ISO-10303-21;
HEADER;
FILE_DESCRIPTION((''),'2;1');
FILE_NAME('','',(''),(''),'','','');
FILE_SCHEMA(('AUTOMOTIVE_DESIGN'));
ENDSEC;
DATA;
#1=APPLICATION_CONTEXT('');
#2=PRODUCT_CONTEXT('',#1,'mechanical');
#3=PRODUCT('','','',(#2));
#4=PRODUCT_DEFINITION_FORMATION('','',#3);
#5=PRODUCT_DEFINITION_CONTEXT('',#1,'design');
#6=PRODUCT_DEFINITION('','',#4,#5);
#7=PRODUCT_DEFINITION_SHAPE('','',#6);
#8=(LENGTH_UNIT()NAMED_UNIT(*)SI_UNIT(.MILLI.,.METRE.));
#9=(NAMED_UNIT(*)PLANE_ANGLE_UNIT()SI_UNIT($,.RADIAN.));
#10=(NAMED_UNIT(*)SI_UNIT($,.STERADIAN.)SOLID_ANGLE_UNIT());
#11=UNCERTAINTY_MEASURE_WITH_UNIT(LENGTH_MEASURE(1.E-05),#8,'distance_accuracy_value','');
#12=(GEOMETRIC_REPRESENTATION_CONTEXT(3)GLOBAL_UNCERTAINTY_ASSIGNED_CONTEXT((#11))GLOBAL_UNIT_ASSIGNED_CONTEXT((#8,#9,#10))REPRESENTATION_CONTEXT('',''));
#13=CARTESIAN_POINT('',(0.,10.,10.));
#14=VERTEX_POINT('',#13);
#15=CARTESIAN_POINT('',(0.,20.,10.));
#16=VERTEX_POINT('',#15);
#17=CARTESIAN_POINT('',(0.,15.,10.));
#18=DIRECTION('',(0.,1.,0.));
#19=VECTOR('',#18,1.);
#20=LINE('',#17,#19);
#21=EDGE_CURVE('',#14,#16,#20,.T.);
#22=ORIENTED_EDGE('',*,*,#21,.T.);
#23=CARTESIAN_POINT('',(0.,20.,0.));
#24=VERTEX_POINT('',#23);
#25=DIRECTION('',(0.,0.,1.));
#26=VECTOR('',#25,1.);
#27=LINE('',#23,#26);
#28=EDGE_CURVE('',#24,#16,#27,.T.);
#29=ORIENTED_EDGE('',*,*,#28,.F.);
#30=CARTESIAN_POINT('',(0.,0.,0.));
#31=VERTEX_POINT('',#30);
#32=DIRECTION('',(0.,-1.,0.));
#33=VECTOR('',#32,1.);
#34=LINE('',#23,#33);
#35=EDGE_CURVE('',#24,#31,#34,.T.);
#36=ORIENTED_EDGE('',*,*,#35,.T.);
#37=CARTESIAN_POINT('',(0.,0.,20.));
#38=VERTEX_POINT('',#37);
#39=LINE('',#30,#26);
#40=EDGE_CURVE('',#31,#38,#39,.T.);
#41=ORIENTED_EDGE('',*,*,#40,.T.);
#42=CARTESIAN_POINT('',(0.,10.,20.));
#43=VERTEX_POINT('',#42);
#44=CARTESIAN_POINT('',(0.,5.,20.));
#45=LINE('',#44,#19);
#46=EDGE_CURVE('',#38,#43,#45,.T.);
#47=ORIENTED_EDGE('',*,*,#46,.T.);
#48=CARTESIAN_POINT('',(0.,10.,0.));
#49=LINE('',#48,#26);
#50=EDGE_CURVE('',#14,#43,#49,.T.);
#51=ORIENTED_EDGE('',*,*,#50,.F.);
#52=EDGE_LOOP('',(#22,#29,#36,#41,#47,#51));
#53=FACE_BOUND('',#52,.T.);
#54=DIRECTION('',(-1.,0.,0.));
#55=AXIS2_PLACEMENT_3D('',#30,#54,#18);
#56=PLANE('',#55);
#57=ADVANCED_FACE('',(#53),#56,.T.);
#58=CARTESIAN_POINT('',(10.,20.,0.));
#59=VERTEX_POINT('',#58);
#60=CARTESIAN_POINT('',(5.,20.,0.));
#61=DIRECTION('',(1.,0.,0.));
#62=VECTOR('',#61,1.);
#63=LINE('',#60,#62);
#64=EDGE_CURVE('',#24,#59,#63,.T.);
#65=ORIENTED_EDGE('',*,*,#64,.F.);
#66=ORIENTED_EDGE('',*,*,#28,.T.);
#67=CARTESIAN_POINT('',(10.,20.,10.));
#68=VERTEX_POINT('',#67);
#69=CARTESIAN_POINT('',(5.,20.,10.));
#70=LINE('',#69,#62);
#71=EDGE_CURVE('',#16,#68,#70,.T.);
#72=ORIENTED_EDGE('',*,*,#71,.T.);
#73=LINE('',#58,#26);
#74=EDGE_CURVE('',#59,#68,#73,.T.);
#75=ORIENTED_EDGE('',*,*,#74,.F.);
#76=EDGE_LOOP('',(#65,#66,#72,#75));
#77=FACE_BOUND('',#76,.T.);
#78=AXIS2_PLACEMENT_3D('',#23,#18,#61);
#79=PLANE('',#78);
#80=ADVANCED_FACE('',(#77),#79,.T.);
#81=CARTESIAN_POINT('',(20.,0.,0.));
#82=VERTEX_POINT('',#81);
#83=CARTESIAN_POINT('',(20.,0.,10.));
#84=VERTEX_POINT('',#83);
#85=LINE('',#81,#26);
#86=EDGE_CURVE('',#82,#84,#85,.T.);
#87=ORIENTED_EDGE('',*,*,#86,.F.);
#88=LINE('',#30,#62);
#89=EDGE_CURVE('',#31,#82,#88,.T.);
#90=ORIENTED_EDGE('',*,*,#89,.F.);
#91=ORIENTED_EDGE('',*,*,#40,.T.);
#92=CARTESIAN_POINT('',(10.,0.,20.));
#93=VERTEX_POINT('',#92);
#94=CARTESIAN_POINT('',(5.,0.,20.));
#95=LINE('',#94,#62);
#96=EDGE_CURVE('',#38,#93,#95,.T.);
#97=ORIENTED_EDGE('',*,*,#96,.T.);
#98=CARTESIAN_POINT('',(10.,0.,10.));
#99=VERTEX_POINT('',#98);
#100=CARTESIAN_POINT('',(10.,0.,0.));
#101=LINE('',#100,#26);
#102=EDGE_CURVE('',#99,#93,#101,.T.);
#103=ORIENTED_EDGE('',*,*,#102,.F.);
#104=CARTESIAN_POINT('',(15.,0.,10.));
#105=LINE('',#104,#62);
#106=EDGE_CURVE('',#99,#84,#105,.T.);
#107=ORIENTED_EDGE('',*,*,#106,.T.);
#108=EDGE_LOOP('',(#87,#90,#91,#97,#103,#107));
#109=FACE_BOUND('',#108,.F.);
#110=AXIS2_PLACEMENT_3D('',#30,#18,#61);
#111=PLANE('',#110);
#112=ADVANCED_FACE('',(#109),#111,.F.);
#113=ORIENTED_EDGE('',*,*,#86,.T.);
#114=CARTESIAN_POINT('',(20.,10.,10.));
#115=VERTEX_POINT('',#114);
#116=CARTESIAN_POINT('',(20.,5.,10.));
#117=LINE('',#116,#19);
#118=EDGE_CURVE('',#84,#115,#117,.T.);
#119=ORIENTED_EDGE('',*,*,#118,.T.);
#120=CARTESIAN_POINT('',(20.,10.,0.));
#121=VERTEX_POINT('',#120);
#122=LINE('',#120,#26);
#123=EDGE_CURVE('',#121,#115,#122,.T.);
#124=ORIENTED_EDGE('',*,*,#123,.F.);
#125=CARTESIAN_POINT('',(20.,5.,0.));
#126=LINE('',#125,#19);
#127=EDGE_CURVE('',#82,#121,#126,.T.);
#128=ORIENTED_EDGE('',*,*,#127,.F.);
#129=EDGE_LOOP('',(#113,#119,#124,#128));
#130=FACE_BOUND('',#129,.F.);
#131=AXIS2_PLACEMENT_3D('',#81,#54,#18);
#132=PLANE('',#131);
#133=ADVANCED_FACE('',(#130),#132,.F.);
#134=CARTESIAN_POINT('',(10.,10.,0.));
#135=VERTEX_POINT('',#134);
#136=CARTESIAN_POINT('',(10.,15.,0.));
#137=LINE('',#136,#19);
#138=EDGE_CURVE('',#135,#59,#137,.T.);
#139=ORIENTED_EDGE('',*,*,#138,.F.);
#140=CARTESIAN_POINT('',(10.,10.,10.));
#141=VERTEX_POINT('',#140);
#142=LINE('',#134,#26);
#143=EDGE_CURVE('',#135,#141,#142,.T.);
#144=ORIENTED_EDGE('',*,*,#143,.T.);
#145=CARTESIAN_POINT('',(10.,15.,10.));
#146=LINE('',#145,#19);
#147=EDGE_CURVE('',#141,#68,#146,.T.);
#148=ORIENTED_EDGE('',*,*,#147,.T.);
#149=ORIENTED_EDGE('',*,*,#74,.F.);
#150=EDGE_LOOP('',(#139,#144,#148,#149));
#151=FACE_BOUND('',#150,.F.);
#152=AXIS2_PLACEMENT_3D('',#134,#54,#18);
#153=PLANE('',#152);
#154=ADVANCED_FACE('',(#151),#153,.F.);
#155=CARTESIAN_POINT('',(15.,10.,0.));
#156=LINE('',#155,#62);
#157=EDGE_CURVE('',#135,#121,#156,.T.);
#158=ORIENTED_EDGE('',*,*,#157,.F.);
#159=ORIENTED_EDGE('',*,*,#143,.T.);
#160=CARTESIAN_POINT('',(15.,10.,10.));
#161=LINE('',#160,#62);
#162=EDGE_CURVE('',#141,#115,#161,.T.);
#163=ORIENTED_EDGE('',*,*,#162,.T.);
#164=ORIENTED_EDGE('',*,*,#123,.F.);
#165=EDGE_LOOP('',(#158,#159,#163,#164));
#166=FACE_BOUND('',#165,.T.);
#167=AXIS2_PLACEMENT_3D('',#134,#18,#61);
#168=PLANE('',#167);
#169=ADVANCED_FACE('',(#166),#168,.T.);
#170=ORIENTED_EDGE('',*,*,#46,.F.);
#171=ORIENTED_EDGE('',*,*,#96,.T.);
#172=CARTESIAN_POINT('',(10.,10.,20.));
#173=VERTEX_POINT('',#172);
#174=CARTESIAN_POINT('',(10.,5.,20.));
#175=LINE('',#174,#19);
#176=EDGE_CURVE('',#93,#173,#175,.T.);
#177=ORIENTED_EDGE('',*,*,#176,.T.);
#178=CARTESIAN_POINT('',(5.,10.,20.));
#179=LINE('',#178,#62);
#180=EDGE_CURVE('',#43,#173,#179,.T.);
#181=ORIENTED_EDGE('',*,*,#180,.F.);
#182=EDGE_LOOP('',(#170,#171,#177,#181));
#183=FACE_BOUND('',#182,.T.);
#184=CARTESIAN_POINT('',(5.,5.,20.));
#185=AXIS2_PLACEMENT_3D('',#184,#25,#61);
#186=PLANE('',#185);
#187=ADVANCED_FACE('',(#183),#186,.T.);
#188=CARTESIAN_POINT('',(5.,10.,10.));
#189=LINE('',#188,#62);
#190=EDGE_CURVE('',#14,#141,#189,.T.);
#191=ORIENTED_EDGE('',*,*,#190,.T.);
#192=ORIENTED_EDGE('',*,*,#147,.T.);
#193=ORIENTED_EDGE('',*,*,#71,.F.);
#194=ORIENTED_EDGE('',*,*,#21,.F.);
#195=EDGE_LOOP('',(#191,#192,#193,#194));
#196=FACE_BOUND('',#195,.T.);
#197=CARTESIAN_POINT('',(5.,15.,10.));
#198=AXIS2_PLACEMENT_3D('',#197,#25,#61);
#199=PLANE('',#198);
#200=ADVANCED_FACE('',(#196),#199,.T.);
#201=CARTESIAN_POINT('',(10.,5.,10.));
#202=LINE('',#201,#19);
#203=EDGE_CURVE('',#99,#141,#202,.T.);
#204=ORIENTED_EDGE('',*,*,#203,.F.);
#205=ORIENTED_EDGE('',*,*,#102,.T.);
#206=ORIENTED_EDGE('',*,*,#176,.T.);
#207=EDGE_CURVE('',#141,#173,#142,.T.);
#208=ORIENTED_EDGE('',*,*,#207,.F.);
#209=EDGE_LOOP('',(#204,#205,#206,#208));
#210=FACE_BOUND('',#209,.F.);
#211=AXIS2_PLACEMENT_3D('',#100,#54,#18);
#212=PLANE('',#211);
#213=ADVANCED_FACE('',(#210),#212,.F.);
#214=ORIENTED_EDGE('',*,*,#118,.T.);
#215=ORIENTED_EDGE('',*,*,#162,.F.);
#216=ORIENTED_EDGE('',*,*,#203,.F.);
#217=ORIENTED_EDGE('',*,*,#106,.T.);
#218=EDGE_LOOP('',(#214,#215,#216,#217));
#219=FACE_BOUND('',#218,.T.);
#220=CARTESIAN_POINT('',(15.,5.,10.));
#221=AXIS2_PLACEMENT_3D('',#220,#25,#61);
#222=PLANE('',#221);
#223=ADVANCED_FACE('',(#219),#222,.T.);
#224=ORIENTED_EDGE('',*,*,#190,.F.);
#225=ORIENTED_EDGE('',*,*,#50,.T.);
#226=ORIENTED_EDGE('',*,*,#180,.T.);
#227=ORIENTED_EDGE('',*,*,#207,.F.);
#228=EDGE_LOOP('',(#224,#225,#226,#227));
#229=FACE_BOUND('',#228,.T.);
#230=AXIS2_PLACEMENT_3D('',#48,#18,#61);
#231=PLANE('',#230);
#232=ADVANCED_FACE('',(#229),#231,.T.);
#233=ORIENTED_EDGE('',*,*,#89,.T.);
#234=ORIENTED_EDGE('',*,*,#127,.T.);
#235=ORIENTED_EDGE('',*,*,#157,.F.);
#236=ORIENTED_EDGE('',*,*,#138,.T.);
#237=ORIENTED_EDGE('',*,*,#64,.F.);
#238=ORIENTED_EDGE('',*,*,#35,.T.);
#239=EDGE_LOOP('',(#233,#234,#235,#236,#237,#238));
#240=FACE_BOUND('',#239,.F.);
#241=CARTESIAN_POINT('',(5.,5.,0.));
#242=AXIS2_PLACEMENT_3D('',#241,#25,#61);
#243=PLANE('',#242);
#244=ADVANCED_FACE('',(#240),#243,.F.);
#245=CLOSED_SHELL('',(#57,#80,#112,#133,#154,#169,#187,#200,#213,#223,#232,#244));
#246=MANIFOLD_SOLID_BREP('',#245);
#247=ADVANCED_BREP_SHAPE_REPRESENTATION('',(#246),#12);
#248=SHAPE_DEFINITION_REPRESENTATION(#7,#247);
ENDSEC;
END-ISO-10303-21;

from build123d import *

# Parameters (mm, degrees)
BOX002_W     = 10
BOX002_H     = 10
BOX002_DEPTH = 10
BOX_W        = 10
BOX_H        = 10
BOX_DEPTH    = 20
BOX001_W     = 10
BOX001_H     = 10
BOX001_DEPTH = 10


with BuildPart() as cub002:
    # Box002 → Box002 (new body)
    with BuildSketch(Plane(origin=(10, 0, 0), x_dir=(1, 0, 0), z_dir=(0, 0, 1))):
        with Locations((5, 5)):
            Rectangle(BOX002_W, BOX002_H)
    extrude(amount=BOX002_DEPTH)


with BuildPart() as cub:
    # Box → Box (new body)
    with BuildSketch(Plane.XY):
        with Locations((5, 5)):
            Rectangle(BOX_W, BOX_H)
    extrude(amount=BOX_DEPTH)


with BuildPart() as fusion:
    # Box001 → Box001 (new body)
    with BuildSketch(Plane(origin=(0, 10, 0), x_dir=(1, 0, 0), z_dir=(0, 0, 1))):
        with Locations((5, 5)):
            Rectangle(BOX001_W, BOX001_H)
    extrude(amount=BOX001_DEPTH)

    # Fusion: union Cub002, Cub
    add(cub002.part)
    add(cub.part)


solid = fusion.part
